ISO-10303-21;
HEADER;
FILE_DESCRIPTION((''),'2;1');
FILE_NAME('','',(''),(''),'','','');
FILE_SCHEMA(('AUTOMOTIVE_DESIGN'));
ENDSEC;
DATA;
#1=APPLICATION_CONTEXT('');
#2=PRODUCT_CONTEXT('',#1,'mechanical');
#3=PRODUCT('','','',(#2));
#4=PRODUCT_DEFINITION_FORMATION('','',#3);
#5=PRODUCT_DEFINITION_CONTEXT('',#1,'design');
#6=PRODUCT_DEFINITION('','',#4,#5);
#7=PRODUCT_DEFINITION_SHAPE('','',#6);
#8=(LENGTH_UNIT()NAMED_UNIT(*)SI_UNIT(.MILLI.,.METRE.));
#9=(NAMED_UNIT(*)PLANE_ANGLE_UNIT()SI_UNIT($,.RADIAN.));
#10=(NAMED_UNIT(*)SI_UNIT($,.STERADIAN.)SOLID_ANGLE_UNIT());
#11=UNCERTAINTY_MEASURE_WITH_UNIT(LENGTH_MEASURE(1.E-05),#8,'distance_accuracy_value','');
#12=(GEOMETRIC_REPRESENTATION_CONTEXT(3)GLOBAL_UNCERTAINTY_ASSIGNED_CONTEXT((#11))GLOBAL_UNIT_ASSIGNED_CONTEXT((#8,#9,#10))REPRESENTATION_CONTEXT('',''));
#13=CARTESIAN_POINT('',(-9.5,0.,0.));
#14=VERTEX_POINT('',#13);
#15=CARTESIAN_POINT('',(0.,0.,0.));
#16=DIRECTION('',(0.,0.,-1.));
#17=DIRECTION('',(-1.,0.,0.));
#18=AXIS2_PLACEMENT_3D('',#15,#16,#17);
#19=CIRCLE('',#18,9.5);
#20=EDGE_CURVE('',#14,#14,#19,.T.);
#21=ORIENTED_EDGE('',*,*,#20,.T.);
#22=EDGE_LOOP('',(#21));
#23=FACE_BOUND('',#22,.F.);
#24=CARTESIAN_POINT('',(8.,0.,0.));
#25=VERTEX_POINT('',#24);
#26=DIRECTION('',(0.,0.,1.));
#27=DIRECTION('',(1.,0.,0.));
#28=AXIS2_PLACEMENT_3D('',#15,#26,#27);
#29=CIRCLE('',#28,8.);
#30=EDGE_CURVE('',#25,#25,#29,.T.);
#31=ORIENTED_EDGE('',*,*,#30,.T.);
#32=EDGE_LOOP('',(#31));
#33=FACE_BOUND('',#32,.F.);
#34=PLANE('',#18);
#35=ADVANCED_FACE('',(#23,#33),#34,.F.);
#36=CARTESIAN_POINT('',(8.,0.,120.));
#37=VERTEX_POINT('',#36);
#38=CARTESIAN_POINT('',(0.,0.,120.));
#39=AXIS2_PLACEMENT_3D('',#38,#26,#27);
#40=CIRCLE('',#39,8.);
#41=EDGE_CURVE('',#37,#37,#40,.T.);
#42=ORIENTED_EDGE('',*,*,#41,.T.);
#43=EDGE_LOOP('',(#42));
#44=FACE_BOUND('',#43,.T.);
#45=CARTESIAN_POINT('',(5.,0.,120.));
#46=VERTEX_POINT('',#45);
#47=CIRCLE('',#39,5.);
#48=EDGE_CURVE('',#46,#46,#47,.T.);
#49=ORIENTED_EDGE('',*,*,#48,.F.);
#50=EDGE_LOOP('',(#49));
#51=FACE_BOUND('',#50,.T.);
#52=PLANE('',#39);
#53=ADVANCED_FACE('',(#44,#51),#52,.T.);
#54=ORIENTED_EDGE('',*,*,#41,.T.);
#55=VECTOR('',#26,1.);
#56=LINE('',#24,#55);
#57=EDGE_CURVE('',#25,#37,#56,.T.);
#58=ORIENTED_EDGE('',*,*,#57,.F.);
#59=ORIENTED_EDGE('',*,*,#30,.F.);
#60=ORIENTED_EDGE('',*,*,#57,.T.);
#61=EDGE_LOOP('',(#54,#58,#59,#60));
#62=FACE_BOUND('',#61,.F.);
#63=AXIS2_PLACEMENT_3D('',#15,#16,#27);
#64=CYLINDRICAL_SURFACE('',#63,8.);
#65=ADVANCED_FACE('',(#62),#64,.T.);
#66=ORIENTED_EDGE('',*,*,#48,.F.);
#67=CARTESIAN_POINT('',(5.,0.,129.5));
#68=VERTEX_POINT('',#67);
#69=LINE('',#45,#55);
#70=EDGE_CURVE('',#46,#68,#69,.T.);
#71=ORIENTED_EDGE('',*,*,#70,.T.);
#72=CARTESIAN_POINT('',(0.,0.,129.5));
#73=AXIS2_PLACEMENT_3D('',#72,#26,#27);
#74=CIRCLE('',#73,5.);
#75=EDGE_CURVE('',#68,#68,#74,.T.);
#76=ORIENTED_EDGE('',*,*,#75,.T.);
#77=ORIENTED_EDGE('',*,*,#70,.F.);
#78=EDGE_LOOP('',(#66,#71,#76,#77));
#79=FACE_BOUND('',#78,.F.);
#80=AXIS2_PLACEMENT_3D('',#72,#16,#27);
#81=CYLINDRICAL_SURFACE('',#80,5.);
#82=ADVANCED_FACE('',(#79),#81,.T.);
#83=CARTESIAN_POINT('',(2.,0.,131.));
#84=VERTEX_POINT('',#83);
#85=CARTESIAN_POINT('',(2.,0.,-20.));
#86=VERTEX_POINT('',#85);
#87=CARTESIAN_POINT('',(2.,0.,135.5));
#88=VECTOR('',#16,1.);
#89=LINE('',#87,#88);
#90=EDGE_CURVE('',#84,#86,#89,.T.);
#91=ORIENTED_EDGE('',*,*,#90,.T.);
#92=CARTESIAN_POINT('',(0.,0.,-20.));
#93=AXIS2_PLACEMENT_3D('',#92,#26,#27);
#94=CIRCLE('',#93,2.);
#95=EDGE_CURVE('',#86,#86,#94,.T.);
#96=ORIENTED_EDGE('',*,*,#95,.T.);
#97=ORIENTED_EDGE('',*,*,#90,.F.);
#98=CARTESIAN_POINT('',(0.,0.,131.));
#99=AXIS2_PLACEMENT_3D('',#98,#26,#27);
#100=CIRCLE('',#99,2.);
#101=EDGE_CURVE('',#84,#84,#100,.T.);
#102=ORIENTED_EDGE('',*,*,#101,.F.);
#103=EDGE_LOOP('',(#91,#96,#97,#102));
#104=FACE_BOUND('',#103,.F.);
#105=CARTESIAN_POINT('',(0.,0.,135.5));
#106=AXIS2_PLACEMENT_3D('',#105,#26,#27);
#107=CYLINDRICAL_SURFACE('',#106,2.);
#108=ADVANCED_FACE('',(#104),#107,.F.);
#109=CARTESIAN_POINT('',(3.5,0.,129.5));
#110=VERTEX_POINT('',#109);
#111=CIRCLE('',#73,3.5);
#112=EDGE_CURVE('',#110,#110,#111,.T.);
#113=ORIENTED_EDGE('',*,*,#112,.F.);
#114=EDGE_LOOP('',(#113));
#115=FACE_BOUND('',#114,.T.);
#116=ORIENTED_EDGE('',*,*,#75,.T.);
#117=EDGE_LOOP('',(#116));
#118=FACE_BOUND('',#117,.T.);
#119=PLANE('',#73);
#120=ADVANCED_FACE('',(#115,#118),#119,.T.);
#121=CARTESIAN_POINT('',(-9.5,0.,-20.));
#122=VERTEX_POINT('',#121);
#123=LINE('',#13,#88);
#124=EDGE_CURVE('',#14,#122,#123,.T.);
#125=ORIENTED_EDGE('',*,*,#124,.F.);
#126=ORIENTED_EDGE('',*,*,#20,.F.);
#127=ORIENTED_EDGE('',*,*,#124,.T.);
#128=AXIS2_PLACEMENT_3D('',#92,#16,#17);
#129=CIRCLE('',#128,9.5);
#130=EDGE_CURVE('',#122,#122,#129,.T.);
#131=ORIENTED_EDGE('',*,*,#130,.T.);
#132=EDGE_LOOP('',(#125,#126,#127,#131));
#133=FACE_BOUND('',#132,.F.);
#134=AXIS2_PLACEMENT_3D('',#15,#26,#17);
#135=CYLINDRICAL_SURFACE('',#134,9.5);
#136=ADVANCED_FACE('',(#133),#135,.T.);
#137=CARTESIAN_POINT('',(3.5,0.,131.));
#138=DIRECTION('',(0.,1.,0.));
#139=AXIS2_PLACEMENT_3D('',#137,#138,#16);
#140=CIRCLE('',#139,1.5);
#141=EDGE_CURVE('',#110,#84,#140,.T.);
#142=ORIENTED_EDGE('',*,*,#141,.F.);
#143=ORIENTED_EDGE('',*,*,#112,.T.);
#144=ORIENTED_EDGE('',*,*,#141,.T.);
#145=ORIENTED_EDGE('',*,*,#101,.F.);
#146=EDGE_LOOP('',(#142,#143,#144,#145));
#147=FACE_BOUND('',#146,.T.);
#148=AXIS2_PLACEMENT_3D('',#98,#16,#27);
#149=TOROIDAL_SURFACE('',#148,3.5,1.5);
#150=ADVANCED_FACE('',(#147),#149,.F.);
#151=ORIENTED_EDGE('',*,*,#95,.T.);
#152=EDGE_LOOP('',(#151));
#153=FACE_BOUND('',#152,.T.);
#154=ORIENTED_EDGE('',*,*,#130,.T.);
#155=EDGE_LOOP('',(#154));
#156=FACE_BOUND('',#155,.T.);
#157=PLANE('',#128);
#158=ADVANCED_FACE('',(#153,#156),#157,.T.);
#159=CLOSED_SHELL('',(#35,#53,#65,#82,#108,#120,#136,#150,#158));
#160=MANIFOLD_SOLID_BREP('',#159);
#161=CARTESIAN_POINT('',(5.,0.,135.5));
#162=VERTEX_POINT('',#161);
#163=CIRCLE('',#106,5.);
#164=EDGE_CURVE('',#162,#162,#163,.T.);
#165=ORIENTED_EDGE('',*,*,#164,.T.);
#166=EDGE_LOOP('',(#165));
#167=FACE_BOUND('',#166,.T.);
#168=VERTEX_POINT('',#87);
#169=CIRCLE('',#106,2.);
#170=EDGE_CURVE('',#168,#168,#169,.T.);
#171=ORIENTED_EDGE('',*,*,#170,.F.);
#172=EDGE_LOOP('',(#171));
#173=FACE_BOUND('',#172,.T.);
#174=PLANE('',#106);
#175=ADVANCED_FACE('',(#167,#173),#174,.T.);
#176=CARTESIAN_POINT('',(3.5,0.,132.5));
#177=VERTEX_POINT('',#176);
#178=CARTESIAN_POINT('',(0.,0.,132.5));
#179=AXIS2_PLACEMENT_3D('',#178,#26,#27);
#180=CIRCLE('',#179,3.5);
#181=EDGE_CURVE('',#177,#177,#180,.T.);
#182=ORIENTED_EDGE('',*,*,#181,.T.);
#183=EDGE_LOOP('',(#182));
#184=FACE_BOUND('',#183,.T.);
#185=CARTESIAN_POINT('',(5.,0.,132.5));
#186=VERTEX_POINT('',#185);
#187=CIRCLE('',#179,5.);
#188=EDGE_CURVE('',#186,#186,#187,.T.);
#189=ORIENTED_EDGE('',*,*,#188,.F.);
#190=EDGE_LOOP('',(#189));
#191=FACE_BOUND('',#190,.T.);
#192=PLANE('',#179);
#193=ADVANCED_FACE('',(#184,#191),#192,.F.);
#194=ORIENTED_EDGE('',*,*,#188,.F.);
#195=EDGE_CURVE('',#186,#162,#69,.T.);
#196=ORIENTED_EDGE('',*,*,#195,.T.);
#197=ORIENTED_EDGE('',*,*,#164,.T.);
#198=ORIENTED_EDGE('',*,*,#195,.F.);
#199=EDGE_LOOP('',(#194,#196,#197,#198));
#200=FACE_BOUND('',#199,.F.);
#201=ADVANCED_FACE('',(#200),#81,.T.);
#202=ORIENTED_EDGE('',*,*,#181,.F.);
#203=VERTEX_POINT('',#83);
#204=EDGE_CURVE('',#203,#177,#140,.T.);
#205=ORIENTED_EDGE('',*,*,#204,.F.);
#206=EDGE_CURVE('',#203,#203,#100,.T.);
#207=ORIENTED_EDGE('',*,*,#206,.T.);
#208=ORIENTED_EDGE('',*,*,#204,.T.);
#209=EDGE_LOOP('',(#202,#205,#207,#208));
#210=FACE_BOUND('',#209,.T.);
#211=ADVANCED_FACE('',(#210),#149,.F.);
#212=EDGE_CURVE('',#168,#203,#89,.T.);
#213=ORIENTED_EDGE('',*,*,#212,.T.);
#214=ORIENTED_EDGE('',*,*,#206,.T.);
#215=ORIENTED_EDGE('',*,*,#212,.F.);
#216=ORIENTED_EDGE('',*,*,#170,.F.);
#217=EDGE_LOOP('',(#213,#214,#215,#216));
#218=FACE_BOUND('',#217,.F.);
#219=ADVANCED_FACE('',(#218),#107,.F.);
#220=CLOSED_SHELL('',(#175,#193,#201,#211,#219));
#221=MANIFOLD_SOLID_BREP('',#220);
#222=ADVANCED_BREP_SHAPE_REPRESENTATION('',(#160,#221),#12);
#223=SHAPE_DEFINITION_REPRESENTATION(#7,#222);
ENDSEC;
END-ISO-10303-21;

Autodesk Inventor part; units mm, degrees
ref_plane "YZ Plane" through (0, 0, 0) normal (1, 0, 0) x (0, 1, 0)
ref_plane "XZ Plane" through (0, 0, 0) normal (0, 1, 0) x (-1, 0, 0)
sketch "Sketch1" plane through (0, 0, 0) normal (0, 0, 1) x (1, 0, 0)
  circle A0 centre (0, 0) radius 8
  dimension "d0" = 16
extrude "Extrusion1" add sketch "Sketch1" along normal blind 120
sketch "Sketch2" plane through (0, 0, 120) normal (0, 0, 1) x (1, 0, 0)
  circle A0 centre (0, 0) radius 5
  dimension "d3" = 10
extrude "Extrusion2" add sketch "Sketch2" along normal blind 9.5
sketch "Sketch3" plane through (0, 0, 0) normal (0, 0, -1) x (-1, 0, 0)
  circle A0 centre (0, 0) radius 9.5
  dimension "d44" = 19
extrude "Extrusion3" add sketch "Sketch3" along normal blind 20
sketch "Sketch5" plane through (0, 0, 129.5) normal (0, 0, 1) x (1, 0, 0)
  circle A0 centre (0, 0) radius 5
extrude "Extrusion4" add sketch "Sketch5" along normal blind 6
sketch "Sketch8" plane through (0, 0, 135.5) normal (0, 0, 1) x (1, 0, 0)
  circle A0 centre (0, 0) radius 5 projected
  circle A1 centre (0, 0) radius 2
  dimension "d27" = 4
extrude "Extrusion7" cut sketch "Sketch8" against normal blind 160 contours A1
sketch "Sketch10" plane through (0, 0, 135.5) normal (0, 0, 1) x (1, 0, 0)
  circle A0 centre (0, 0) radius 5 projected
  point P0 (5, 0)
sketch "Sketch11" plane through (0, 0, 135.5) normal (0, 0, 1) x (1, 0, 0)
  point P0 (0, 0)
ref_plane "Work Plane1" through (5, 0, 135.5) normal (0, 1, 0) x (-1, 0, 0)
sketch "Sketch12" plane through (5, 0, 135.5) normal (0, 1, 0) x (-1, 0, 0)
  arc A0 (1.5, -6) -> (1.5, -3) centre (1.5, -4.5) ccw
  line L0 (13, -15.5) -> (-3, -15.5) projected
  line L1 (3, 0) -> (3, -155.5) projected
  line L2 (5, -186.6) -> (5, 31.1) projected
  line L3 (0, -15.5) -> (0, 0) projected
  arc A1 (1.5, -6) -> (1.5, -3) centre (1.5, -4.5) ccw
  line L4 (1.5, -3) -> (0, -3)
  line L5 (0, -15.5) -> (0, 0) projected
  line L6 (0, -6) -> (1.5, -6)
  line L7 (0, -15.5) -> (0, 0) projected
  point P0 (5, -135.5)
  point P1 (3, -4.5)
  point P2 (3, -4.5)
  point P3 (0, -6)
  dimension "d46" = 11
  dimension "d54" = 3.5
  dimension "d55" = 3
revolve "Revolution1" cut sketch "Sketch12" angle 360 about axis through (0, 0, 120) along (0, 0, 1) contours L6 L3 L4 A0
thread "Thread1" size "M16x2" class "6g" standard "ANSI Metric M Profile" full length
properties part number "Trapezspindle"
